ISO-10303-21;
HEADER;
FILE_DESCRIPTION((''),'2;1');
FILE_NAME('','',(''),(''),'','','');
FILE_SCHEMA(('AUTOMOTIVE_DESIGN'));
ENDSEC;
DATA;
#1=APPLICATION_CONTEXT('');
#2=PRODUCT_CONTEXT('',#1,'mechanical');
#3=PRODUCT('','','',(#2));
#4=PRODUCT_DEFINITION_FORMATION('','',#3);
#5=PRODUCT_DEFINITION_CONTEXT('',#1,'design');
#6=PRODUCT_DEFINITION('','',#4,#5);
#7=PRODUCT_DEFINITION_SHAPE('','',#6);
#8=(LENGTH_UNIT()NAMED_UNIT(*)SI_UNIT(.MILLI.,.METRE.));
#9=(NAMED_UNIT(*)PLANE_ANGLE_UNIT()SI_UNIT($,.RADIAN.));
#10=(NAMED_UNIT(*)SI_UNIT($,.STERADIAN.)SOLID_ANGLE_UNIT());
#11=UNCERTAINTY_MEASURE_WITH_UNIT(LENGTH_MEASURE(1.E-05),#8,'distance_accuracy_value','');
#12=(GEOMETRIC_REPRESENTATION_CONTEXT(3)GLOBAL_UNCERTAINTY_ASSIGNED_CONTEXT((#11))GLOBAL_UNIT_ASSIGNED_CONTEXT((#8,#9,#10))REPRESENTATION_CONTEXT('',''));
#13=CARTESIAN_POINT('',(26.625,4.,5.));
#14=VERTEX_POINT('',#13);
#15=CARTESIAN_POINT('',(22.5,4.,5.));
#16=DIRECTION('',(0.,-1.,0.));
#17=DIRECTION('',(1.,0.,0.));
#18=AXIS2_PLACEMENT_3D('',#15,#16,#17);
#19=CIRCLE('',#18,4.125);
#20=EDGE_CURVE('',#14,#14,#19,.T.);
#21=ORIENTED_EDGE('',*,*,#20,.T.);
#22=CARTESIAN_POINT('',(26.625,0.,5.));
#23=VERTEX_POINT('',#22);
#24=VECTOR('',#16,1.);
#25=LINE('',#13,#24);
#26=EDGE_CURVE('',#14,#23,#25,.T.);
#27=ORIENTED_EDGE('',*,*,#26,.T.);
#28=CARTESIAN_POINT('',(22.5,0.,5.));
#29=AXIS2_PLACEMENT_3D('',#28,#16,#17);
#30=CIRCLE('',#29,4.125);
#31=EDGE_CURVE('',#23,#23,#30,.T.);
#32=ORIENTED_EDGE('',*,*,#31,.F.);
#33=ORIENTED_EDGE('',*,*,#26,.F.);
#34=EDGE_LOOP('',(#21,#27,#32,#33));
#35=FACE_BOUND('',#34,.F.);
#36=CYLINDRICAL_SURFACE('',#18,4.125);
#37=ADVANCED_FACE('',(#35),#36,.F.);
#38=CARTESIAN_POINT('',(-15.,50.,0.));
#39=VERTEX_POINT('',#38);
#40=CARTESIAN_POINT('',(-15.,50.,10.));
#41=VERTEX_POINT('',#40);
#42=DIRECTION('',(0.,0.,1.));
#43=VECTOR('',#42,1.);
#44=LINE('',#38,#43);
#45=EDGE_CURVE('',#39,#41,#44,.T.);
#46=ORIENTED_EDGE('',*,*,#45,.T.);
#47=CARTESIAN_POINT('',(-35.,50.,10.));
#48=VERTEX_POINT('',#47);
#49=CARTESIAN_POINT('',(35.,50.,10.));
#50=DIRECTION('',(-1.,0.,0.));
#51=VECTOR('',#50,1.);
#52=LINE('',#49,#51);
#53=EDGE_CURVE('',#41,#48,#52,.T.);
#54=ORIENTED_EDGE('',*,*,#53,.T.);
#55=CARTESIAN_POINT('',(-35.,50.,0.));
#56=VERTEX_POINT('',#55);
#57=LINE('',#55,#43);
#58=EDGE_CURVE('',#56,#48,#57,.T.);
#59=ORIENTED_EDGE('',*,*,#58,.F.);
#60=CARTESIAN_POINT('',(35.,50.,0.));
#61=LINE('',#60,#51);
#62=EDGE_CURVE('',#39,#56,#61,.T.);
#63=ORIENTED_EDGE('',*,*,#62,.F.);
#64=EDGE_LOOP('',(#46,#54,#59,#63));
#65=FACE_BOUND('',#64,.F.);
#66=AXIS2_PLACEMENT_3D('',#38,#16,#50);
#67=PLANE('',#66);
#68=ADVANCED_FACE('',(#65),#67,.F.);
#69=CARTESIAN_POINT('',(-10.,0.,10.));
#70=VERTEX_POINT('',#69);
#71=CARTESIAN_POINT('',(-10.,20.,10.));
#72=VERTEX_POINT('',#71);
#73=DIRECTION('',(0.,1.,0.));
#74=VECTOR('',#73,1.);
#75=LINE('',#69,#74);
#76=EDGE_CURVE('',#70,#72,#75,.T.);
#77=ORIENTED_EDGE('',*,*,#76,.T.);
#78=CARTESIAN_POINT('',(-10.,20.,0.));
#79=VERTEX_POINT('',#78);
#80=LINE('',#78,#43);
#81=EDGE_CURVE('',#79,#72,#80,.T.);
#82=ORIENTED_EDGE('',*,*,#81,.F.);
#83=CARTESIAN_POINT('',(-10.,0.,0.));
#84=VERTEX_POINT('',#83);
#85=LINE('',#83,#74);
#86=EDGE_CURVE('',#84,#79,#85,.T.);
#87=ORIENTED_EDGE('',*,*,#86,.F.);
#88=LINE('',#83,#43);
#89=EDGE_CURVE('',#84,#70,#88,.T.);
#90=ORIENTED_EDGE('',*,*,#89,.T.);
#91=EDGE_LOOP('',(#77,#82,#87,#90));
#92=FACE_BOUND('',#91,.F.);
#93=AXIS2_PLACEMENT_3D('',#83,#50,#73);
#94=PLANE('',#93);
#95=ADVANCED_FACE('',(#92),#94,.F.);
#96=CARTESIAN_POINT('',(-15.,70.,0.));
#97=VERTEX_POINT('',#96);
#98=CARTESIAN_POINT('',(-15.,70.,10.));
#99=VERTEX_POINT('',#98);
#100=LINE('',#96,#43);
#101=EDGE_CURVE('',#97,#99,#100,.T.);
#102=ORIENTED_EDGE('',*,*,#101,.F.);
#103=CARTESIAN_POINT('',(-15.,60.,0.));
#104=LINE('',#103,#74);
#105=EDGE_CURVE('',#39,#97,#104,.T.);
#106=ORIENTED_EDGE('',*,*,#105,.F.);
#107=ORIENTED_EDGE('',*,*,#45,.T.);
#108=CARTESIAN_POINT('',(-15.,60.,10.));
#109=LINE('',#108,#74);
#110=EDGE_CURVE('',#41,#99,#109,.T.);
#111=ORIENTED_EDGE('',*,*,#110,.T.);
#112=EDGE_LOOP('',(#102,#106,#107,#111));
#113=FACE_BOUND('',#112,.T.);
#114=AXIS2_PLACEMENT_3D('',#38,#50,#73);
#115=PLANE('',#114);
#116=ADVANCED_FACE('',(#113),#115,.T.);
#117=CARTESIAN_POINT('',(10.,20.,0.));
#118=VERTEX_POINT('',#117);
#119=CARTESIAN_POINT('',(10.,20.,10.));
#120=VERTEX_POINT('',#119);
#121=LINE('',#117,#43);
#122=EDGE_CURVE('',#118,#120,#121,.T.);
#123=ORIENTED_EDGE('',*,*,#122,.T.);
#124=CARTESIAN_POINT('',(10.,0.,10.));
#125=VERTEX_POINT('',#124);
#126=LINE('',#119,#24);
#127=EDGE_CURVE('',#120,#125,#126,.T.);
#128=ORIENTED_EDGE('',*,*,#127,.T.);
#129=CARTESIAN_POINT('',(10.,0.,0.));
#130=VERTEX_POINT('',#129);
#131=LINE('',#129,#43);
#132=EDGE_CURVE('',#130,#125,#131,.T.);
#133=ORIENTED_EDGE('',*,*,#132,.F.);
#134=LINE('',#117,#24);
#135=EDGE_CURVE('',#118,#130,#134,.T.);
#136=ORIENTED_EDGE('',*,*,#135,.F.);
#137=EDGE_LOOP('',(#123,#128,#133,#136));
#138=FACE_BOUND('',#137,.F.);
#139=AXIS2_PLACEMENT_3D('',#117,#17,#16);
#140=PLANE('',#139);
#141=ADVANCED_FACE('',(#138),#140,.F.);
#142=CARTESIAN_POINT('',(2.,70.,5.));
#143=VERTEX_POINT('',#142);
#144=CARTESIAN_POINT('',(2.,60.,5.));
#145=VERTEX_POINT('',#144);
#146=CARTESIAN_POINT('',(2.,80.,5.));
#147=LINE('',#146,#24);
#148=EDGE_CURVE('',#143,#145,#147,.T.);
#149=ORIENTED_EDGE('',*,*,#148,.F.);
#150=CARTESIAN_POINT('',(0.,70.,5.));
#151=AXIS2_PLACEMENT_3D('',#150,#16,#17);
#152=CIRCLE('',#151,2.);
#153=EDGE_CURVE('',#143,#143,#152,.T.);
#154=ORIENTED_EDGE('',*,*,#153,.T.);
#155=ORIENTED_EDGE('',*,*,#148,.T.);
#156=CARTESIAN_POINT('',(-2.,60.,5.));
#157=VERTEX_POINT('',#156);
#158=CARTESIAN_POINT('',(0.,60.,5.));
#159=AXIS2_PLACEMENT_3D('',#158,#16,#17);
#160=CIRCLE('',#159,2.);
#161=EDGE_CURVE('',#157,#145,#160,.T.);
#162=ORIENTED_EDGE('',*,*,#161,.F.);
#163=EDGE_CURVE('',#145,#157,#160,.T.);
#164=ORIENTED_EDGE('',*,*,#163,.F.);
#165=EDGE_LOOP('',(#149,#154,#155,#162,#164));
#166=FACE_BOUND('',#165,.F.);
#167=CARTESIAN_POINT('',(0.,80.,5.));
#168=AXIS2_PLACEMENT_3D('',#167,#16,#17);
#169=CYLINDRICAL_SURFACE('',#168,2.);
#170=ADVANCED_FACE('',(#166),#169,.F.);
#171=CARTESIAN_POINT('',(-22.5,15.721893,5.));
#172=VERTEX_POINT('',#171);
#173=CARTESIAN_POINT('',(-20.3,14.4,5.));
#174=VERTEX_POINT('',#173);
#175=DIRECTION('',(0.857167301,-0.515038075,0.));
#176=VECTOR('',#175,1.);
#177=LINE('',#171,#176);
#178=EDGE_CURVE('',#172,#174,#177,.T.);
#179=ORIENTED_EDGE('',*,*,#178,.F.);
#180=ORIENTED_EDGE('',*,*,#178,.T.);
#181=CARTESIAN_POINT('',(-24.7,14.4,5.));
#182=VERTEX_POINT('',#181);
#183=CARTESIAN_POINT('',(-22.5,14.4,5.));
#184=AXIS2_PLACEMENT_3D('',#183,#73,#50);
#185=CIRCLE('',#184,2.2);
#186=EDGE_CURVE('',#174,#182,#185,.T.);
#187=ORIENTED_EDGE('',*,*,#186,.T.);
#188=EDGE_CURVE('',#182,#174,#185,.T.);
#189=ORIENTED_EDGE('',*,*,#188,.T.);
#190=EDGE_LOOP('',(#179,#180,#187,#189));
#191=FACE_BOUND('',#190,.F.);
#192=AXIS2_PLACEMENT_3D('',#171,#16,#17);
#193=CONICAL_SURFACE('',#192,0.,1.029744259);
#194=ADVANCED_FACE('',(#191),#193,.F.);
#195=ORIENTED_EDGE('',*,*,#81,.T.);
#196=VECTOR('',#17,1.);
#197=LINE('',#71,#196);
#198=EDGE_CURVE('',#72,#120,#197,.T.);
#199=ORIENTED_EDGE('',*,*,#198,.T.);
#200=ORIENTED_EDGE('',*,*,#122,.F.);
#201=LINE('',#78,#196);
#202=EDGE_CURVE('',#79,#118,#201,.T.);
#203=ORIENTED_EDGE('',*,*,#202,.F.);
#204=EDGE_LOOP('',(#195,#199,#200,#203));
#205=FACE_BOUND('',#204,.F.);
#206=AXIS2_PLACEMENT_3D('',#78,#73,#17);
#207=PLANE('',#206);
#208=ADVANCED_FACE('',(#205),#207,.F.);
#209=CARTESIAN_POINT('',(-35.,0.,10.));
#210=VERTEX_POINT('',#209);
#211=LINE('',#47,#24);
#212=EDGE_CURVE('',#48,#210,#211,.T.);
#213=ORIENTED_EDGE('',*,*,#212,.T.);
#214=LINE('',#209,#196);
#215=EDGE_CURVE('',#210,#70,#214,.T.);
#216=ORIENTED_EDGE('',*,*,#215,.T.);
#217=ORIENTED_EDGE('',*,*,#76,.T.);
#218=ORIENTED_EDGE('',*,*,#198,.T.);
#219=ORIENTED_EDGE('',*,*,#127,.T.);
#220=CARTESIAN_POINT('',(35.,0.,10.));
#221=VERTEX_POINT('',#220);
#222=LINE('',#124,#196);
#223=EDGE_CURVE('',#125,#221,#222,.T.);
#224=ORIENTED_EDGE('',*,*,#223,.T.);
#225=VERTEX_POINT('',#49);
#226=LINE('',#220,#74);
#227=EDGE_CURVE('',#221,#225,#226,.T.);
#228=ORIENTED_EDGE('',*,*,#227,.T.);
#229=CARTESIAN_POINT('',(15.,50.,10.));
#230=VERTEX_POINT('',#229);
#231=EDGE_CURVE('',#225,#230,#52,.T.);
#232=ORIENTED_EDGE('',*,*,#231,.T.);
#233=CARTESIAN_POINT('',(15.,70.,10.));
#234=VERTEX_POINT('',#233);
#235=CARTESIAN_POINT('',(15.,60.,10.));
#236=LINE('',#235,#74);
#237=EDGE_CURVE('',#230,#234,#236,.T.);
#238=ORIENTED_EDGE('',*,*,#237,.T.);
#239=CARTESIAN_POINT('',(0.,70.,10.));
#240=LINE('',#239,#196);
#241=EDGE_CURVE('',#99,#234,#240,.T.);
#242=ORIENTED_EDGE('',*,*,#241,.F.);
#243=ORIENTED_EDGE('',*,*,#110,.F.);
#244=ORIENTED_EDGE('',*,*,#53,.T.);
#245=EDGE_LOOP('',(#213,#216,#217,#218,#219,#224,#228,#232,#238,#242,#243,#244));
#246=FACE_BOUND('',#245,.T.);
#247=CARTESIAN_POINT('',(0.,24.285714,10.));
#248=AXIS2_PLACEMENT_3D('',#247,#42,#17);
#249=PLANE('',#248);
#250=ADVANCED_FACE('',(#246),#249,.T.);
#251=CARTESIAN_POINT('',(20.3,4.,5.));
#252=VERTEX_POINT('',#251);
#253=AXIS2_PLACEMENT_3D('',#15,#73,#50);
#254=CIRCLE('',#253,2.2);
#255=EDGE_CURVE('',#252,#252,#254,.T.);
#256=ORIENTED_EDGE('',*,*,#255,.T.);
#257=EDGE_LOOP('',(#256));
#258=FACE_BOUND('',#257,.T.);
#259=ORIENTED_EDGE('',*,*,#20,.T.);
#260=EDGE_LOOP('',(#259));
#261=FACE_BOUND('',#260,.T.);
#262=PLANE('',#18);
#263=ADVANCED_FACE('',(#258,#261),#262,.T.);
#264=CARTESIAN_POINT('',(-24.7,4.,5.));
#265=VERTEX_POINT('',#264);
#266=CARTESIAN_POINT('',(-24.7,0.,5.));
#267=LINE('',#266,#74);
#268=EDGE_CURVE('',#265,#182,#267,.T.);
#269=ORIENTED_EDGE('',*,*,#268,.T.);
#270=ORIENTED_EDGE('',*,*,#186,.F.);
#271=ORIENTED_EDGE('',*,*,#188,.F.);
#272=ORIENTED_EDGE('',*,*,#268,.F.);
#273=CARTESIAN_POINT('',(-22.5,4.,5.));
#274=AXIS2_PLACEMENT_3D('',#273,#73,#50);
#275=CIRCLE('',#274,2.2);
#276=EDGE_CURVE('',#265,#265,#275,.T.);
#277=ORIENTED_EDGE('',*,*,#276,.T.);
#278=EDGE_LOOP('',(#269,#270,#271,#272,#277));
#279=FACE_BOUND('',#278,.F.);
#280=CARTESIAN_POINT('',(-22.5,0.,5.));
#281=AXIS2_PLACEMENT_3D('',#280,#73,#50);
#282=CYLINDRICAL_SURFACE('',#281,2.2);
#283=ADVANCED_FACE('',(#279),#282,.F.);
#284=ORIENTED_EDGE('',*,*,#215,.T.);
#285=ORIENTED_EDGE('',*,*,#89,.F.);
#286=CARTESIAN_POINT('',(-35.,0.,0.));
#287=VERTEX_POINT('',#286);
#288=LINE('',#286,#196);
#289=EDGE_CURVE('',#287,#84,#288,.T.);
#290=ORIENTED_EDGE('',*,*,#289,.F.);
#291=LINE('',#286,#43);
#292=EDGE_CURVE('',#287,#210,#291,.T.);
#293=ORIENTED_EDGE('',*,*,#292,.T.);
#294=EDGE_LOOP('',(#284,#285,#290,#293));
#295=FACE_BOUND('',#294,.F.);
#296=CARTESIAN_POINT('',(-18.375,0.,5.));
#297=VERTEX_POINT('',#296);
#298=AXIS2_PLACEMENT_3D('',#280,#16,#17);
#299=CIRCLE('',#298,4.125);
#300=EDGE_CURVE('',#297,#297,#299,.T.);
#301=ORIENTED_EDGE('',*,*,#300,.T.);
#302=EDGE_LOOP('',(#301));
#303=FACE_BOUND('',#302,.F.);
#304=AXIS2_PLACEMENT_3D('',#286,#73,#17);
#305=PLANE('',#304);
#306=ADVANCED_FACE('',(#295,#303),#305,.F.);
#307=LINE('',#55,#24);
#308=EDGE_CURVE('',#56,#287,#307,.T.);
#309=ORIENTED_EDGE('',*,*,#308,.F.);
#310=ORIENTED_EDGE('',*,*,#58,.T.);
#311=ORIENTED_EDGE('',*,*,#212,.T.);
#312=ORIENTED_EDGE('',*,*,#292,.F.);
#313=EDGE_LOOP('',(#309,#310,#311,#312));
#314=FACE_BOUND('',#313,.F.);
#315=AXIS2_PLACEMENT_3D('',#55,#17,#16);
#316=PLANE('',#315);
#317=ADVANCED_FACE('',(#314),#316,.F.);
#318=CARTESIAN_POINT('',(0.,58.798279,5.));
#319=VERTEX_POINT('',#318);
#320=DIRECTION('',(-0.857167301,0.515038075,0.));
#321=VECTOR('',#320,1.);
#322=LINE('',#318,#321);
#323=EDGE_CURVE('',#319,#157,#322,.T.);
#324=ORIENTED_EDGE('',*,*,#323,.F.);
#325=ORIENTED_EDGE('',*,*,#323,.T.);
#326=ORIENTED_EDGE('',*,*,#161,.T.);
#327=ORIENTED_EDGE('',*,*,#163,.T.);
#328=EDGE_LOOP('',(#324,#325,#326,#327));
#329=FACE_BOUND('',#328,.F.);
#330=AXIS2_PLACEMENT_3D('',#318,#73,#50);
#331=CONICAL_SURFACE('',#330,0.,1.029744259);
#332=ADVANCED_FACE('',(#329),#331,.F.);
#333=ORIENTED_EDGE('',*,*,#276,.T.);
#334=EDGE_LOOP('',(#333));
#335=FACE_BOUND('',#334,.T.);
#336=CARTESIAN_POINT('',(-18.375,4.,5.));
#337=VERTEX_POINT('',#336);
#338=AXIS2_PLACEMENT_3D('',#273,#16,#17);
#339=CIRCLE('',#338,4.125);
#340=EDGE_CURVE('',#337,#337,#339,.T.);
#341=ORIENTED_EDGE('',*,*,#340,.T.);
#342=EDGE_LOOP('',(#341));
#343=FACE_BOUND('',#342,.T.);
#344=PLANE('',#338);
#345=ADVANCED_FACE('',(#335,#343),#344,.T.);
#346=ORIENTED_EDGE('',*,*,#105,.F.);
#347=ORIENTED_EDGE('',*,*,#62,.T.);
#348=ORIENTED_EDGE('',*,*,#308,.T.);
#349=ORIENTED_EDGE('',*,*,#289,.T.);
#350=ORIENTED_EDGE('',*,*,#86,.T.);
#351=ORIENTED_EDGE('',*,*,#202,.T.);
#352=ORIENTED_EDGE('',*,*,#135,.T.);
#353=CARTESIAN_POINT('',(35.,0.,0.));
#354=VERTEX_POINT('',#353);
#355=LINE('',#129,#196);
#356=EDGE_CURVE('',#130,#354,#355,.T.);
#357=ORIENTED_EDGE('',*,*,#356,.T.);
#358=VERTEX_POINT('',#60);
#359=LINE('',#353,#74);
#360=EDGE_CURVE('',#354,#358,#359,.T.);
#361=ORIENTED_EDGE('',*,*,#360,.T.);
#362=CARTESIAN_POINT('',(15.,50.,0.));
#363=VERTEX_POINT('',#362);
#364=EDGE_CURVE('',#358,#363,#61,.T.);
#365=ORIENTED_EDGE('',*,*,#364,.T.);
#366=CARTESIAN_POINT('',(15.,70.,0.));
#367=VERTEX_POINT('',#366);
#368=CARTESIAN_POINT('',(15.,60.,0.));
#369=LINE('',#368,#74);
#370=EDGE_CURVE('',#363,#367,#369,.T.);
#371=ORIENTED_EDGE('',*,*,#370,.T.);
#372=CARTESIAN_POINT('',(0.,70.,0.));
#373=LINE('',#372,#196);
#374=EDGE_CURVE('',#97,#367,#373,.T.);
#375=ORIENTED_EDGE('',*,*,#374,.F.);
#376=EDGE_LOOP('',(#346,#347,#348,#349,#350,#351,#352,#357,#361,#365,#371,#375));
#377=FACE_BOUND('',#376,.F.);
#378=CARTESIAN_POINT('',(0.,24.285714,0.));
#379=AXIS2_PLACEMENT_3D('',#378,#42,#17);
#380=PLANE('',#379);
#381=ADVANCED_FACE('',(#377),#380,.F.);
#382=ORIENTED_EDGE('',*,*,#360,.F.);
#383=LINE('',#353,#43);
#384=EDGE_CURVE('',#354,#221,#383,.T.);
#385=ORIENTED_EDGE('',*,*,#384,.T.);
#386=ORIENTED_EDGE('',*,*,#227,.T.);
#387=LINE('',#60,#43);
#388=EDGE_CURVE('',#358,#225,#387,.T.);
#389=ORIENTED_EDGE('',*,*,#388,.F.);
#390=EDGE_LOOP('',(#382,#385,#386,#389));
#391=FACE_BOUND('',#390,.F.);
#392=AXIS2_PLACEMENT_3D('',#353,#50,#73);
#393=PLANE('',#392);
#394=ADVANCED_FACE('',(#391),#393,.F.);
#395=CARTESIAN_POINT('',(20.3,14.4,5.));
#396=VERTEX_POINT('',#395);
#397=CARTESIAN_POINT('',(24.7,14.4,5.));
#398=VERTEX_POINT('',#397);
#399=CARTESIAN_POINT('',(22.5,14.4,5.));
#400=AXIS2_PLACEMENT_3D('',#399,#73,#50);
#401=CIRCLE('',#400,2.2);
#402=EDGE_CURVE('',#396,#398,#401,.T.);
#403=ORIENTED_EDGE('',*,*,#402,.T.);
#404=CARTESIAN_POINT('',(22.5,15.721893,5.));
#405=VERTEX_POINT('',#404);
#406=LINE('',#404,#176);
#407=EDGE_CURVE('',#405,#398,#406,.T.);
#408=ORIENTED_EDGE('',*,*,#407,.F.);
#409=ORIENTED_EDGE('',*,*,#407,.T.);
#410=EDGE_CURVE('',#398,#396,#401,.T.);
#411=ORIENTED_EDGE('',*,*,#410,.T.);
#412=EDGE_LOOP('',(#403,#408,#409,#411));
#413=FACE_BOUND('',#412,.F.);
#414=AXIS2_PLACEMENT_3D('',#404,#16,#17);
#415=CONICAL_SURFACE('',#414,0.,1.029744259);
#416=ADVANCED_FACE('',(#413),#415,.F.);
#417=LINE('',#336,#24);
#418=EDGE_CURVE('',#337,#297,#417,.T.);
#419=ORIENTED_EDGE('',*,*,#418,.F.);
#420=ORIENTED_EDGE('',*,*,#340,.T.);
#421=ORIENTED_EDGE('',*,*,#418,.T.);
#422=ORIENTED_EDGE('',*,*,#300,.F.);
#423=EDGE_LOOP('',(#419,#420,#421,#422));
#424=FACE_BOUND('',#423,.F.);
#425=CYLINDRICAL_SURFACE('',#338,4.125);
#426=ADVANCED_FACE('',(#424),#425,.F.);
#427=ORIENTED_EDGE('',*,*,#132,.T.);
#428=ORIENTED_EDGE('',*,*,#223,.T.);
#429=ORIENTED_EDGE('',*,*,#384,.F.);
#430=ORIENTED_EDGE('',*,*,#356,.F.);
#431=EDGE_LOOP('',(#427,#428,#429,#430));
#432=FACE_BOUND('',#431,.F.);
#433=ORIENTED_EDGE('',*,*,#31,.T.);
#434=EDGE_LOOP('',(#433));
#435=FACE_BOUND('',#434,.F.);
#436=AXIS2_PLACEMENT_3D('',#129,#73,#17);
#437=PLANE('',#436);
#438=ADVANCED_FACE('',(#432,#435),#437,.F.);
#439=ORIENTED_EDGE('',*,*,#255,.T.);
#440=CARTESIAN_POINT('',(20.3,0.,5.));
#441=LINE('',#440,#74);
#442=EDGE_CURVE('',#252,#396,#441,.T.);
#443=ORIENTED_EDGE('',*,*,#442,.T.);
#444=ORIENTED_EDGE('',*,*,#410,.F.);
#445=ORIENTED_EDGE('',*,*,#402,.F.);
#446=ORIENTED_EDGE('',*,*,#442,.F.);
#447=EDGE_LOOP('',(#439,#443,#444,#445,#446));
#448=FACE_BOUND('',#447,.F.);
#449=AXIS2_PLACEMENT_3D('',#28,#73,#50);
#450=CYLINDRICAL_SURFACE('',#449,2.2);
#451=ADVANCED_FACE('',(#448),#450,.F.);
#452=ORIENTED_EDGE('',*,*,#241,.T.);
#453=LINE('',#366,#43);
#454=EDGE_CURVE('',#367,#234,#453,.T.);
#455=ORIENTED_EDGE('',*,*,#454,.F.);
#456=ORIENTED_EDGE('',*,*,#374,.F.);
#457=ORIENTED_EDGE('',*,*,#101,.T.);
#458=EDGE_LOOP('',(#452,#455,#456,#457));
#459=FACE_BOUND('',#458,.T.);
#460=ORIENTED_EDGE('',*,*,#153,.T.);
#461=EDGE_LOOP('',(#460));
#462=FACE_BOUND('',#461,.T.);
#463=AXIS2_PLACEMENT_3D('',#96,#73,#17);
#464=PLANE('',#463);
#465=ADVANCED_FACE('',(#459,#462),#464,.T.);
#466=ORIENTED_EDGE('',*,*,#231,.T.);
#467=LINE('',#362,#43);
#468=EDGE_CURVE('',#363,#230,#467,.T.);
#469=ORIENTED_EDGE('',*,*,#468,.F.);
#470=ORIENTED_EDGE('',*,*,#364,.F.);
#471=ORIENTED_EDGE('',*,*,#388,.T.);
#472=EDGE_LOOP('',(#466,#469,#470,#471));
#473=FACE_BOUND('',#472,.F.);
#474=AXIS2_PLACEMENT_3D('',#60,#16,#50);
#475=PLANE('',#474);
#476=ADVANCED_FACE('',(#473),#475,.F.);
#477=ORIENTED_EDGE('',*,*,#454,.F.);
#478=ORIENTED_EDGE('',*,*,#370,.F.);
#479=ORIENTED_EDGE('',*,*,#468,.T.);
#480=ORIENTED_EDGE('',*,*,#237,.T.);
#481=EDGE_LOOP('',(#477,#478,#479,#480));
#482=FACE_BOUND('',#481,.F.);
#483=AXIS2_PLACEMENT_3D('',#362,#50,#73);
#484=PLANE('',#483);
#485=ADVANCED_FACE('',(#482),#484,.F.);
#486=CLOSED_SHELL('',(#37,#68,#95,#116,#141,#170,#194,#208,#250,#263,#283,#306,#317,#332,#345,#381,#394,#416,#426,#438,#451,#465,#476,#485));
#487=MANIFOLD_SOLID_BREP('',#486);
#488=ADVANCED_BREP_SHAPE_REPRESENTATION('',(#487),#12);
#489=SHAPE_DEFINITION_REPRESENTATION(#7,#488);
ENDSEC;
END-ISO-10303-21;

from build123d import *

# Parameters (mm, degrees)
F0_W                 = 30
F0_H                 = 20
F1_DEPTH             = 10
F4_D                 = 4.4
F4_DEPTH             = 14.4
F4_CBORE_D           = 8.25
F4_CBORE_DEPTH       = 4
F4_TIP               = 1.3218933619
F4_ON_F3_D           = 4.4
F4_ON_F3_DEPTH       = 14.4
F4_ON_F3_CBORE_D     = 8.25
F4_ON_F3_CBORE_DEPTH = 4
F4_ON_F3_TIP         = 1.3218933619
F6_D                 = 4
F6_DEPTH             = 10
F6_TIP               = 1.2017212381


with BuildPart() as f1:
    # F0 (on Top) → F1 (new body)
    with BuildSketch(Plane.XY):
        Polygon((-15, 50), (-35, 50), (-35, 0), (-10, 0), (-10, 20), (10, 20), (10, 0), (35, 0), (35, 50), (15, 50), align=None)
        with Locations((0, 60)):
            Rectangle(F0_W, F0_H)
    extrude(amount=F1_DEPTH)

    # F4
    with Locations(Plane.XZ):
        with Locations((-22.5, 5)):
            CounterBoreHole(F4_D / 2, F4_CBORE_D / 2, F4_CBORE_DEPTH, depth=F4_DEPTH)
            with Locations((0, 0, -(F4_DEPTH + F4_TIP / 2))):  # 118° drill point
                Cone(0, F4_D / 2, F4_TIP, mode=Mode.SUBTRACT)

    # F4 on F3
    with Locations(Plane.XZ):
        with Locations((22.5, 5)):
            CounterBoreHole(F4_ON_F3_D / 2, F4_ON_F3_CBORE_D / 2, F4_ON_F3_CBORE_DEPTH, depth=F4_ON_F3_DEPTH)
            with Locations((0, 0, -(F4_ON_F3_DEPTH + F4_ON_F3_TIP / 2))):  # 118° drill point
                Cone(0, F4_ON_F3_D / 2, F4_ON_F3_TIP, mode=Mode.SUBTRACT)

    # F6
    with Locations(Plane(origin=(0, 70, 0), x_dir=(-1, 0, 0), z_dir=(0, 1, 0))):
        with Locations((0, 5)):
            Hole(F6_D / 2, depth=F6_DEPTH)
            with Locations((0, 0, -(F6_DEPTH + F6_TIP / 2))):  # 118° drill point
                Cone(0, F6_D / 2, F6_TIP, mode=Mode.SUBTRACT)


solid = f1.part
